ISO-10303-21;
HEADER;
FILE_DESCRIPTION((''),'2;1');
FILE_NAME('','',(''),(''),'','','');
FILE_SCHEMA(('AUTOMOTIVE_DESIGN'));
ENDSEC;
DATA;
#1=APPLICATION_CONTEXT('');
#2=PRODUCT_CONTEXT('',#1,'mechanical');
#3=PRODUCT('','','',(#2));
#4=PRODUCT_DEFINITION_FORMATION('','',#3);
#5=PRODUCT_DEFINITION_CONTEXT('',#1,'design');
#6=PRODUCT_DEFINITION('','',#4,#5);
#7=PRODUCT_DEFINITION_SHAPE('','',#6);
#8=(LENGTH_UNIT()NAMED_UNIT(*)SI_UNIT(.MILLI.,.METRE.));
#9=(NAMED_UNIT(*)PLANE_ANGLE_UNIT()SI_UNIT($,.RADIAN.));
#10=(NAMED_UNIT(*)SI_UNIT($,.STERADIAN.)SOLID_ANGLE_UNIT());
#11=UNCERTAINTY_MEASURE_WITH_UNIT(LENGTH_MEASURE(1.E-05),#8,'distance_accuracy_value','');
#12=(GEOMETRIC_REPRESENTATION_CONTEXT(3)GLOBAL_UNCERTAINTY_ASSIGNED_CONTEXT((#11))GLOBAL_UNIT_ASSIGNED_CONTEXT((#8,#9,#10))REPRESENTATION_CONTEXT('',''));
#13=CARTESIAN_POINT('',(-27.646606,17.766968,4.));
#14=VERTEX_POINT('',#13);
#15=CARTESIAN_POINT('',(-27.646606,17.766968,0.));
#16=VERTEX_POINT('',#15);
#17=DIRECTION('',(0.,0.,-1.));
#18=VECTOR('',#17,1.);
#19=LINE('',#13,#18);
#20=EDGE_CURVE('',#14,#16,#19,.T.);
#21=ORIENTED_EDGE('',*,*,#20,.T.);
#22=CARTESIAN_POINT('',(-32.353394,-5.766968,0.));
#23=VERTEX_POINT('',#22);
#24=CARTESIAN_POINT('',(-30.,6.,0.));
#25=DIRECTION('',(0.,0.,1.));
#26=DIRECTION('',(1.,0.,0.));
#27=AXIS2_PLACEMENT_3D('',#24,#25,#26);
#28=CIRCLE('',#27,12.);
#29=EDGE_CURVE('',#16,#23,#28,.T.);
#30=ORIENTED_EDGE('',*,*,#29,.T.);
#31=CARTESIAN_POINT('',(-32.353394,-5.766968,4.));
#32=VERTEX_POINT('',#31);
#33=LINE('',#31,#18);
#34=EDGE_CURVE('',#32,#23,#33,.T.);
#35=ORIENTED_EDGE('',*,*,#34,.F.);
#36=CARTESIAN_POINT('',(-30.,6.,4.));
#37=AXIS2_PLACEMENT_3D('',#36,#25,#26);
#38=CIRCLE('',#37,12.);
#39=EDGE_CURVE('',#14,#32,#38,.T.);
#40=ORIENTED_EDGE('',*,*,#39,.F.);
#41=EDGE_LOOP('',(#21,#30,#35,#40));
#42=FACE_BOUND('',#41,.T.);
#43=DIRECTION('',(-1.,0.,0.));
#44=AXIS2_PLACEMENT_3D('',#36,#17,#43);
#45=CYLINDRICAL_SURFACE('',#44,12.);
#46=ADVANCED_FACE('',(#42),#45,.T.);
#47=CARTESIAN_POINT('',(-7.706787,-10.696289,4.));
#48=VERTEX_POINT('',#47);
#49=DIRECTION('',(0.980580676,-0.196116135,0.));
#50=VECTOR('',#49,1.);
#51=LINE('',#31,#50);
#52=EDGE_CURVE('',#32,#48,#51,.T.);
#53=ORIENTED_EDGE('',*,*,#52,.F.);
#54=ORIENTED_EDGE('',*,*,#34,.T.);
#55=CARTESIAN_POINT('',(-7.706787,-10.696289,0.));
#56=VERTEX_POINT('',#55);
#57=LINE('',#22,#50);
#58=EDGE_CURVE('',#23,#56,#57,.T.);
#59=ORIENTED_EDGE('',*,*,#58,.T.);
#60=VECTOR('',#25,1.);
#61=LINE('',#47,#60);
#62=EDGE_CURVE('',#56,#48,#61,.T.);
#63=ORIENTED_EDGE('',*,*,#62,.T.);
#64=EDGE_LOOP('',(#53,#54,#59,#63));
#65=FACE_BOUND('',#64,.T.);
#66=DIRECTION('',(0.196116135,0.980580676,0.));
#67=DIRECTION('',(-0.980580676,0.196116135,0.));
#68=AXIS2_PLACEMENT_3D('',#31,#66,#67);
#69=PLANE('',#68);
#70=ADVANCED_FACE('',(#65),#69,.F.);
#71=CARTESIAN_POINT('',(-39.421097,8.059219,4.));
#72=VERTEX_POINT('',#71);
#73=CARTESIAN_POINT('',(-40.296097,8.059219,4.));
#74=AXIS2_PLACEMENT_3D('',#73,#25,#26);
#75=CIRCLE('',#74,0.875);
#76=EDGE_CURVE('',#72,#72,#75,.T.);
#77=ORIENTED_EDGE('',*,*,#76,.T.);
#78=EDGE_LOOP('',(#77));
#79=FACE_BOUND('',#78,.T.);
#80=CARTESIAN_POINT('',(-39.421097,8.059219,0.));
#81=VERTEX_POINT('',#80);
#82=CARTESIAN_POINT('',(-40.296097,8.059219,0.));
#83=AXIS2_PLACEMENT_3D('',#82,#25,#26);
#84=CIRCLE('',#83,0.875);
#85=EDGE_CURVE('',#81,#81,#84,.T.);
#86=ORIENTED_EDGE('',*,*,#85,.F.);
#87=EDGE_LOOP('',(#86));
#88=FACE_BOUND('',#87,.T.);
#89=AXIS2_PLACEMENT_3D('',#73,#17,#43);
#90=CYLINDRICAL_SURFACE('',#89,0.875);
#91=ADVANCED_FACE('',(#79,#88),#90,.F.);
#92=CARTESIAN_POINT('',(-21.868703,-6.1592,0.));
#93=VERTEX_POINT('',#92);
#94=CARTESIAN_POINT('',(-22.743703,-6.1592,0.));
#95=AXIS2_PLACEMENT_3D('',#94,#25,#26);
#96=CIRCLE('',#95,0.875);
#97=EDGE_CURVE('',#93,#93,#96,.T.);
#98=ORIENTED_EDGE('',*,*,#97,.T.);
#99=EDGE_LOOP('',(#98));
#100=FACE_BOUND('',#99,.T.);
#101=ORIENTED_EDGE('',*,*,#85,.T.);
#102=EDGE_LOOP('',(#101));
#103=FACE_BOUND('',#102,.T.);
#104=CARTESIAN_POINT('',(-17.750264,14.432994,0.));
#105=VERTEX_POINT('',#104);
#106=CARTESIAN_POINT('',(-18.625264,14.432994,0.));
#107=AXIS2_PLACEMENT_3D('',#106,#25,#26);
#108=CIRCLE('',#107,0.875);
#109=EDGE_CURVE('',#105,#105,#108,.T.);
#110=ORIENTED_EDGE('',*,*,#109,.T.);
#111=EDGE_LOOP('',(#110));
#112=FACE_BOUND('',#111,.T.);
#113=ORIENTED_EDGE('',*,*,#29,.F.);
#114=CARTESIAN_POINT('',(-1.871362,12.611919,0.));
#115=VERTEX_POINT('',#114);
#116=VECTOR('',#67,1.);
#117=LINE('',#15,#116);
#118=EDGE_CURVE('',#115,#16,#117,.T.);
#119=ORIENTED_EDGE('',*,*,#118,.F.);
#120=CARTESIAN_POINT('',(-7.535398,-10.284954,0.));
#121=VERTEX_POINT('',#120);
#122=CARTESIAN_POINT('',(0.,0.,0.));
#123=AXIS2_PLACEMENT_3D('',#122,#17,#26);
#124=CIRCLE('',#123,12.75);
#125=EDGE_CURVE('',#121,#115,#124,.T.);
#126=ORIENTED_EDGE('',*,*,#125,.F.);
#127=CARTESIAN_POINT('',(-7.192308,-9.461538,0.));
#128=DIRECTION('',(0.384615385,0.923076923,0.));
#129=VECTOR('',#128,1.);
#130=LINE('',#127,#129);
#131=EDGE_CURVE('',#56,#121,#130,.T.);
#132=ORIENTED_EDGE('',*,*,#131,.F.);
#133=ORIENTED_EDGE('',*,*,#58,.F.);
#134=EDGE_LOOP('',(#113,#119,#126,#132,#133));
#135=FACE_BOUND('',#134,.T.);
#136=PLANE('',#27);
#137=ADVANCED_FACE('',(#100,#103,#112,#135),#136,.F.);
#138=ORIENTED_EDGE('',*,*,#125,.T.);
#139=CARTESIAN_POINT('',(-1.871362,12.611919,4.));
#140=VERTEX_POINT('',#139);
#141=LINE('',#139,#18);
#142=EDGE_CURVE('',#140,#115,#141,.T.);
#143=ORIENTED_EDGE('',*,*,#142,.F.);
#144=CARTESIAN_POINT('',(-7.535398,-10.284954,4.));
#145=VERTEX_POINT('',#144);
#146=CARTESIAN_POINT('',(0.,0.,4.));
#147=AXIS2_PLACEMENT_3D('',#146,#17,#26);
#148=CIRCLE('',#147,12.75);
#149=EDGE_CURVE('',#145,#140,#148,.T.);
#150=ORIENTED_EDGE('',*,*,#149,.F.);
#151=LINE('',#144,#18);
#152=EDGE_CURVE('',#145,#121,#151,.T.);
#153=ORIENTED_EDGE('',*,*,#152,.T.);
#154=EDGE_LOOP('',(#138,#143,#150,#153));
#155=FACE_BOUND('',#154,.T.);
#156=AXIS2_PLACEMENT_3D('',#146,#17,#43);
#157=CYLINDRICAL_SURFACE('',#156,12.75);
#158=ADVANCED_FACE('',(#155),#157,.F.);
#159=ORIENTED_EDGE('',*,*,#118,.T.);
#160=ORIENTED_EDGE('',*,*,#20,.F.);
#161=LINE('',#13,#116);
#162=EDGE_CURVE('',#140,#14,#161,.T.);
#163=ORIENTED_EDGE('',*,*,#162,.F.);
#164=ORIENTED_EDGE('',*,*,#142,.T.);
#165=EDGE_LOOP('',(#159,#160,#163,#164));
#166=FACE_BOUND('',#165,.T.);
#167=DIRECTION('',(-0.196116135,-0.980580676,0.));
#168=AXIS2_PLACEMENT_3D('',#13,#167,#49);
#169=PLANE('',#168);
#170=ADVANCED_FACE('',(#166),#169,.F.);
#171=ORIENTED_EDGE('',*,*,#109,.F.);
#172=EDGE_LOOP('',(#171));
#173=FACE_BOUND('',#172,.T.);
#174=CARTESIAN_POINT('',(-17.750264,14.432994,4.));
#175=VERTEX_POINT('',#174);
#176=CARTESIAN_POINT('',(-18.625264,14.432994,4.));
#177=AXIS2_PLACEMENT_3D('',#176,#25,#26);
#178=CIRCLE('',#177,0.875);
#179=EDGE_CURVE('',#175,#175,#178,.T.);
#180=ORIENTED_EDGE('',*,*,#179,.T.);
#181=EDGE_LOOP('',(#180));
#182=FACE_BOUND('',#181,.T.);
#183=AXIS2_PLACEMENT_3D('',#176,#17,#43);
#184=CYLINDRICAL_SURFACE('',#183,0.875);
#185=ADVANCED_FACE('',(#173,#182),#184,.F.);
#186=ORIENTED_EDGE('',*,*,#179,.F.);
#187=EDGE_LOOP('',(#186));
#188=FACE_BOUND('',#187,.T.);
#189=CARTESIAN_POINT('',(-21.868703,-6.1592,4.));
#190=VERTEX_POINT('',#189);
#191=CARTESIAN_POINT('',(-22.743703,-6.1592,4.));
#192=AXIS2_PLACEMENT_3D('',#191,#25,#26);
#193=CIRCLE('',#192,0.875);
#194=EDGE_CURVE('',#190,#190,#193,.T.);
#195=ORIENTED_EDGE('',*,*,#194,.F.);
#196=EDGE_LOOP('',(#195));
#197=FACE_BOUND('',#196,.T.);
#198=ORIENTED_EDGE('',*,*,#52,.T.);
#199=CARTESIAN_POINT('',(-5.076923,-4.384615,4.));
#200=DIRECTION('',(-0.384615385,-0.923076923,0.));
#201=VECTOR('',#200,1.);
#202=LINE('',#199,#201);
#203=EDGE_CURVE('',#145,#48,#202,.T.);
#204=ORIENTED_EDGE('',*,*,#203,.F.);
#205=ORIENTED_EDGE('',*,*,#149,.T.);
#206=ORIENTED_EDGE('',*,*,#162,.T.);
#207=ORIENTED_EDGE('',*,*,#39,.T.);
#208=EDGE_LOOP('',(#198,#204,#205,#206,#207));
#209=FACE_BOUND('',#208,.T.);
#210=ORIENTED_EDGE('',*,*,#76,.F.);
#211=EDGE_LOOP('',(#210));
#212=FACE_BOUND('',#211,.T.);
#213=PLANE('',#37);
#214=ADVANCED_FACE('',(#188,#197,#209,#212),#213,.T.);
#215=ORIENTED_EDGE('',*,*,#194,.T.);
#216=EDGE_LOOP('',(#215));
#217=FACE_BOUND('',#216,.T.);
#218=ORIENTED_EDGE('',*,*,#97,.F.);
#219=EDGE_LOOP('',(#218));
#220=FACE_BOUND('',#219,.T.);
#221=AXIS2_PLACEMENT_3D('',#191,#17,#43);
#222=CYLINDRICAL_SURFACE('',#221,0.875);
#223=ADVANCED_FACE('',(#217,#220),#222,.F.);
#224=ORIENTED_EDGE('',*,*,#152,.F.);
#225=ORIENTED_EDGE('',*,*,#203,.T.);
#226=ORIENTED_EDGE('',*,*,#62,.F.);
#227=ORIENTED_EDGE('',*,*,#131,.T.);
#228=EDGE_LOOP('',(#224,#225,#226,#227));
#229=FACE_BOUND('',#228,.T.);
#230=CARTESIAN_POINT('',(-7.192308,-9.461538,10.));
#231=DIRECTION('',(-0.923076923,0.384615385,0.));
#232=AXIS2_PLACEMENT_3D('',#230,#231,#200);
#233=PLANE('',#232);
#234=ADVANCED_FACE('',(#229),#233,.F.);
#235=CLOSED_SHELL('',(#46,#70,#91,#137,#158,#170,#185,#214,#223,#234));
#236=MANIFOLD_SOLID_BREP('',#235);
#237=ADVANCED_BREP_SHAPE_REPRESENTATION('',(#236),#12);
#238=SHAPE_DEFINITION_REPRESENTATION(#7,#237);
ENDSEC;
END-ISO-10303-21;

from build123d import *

# Parameters (mm, degrees)
SKETCH1_R           = 0.875
BOSS_EXTRUDE1_DEPTH = 4
CUT_EXTRUDE1_DEPTH  = 10


with BuildPart() as part:
    # Sketch1 → Boss-Extrude1 (new body)
    with BuildSketch(Plane.XY):
        with BuildLine():
            Line((-27.646606378, 17.766968108), (-1.871361719, 12.611919177))
            ThreePointArc((-1.871361719, 12.611919177), (-12.502403615, 2.500480723), (-6.578148963, -10.92201704))
            Line((-6.578148963, -10.92201704), (-32.353393622, -5.766968108))
            ThreePointArc((-32.353393622, -5.766968108), (-41.766968108, 8.353393622), (-27.646606378, 17.766968108))
        make_face()
        with Locations((-40.296097095, 8.059219419)):
            Circle(SKETCH1_R, mode=Mode.SUBTRACT)
        with Locations((-18.625264162, 14.432993811)):
            Circle(SKETCH1_R, mode=Mode.SUBTRACT)
        with Locations((-22.743703, -6.159200379)):
            Circle(SKETCH1_R, mode=Mode.SUBTRACT)
    extrude(amount=BOSS_EXTRUDE1_DEPTH)

    # Sketch2 → Cut-Extrude1 (cut)
    with BuildSketch(Plane(origin=(0, 0, 0), x_dir=(-1, 0, 0), z_dir=(0, 0, -1))):
        Polygon((7.192307692, -9.461538462), (7.961538462, -11.307692308), (6.115384615, -12.076923077), (5.346153846, -10.230769231), align=None)
    extrude(amount=-CUT_EXTRUDE1_DEPTH, mode=Mode.SUBTRACT)


solid = part.part
